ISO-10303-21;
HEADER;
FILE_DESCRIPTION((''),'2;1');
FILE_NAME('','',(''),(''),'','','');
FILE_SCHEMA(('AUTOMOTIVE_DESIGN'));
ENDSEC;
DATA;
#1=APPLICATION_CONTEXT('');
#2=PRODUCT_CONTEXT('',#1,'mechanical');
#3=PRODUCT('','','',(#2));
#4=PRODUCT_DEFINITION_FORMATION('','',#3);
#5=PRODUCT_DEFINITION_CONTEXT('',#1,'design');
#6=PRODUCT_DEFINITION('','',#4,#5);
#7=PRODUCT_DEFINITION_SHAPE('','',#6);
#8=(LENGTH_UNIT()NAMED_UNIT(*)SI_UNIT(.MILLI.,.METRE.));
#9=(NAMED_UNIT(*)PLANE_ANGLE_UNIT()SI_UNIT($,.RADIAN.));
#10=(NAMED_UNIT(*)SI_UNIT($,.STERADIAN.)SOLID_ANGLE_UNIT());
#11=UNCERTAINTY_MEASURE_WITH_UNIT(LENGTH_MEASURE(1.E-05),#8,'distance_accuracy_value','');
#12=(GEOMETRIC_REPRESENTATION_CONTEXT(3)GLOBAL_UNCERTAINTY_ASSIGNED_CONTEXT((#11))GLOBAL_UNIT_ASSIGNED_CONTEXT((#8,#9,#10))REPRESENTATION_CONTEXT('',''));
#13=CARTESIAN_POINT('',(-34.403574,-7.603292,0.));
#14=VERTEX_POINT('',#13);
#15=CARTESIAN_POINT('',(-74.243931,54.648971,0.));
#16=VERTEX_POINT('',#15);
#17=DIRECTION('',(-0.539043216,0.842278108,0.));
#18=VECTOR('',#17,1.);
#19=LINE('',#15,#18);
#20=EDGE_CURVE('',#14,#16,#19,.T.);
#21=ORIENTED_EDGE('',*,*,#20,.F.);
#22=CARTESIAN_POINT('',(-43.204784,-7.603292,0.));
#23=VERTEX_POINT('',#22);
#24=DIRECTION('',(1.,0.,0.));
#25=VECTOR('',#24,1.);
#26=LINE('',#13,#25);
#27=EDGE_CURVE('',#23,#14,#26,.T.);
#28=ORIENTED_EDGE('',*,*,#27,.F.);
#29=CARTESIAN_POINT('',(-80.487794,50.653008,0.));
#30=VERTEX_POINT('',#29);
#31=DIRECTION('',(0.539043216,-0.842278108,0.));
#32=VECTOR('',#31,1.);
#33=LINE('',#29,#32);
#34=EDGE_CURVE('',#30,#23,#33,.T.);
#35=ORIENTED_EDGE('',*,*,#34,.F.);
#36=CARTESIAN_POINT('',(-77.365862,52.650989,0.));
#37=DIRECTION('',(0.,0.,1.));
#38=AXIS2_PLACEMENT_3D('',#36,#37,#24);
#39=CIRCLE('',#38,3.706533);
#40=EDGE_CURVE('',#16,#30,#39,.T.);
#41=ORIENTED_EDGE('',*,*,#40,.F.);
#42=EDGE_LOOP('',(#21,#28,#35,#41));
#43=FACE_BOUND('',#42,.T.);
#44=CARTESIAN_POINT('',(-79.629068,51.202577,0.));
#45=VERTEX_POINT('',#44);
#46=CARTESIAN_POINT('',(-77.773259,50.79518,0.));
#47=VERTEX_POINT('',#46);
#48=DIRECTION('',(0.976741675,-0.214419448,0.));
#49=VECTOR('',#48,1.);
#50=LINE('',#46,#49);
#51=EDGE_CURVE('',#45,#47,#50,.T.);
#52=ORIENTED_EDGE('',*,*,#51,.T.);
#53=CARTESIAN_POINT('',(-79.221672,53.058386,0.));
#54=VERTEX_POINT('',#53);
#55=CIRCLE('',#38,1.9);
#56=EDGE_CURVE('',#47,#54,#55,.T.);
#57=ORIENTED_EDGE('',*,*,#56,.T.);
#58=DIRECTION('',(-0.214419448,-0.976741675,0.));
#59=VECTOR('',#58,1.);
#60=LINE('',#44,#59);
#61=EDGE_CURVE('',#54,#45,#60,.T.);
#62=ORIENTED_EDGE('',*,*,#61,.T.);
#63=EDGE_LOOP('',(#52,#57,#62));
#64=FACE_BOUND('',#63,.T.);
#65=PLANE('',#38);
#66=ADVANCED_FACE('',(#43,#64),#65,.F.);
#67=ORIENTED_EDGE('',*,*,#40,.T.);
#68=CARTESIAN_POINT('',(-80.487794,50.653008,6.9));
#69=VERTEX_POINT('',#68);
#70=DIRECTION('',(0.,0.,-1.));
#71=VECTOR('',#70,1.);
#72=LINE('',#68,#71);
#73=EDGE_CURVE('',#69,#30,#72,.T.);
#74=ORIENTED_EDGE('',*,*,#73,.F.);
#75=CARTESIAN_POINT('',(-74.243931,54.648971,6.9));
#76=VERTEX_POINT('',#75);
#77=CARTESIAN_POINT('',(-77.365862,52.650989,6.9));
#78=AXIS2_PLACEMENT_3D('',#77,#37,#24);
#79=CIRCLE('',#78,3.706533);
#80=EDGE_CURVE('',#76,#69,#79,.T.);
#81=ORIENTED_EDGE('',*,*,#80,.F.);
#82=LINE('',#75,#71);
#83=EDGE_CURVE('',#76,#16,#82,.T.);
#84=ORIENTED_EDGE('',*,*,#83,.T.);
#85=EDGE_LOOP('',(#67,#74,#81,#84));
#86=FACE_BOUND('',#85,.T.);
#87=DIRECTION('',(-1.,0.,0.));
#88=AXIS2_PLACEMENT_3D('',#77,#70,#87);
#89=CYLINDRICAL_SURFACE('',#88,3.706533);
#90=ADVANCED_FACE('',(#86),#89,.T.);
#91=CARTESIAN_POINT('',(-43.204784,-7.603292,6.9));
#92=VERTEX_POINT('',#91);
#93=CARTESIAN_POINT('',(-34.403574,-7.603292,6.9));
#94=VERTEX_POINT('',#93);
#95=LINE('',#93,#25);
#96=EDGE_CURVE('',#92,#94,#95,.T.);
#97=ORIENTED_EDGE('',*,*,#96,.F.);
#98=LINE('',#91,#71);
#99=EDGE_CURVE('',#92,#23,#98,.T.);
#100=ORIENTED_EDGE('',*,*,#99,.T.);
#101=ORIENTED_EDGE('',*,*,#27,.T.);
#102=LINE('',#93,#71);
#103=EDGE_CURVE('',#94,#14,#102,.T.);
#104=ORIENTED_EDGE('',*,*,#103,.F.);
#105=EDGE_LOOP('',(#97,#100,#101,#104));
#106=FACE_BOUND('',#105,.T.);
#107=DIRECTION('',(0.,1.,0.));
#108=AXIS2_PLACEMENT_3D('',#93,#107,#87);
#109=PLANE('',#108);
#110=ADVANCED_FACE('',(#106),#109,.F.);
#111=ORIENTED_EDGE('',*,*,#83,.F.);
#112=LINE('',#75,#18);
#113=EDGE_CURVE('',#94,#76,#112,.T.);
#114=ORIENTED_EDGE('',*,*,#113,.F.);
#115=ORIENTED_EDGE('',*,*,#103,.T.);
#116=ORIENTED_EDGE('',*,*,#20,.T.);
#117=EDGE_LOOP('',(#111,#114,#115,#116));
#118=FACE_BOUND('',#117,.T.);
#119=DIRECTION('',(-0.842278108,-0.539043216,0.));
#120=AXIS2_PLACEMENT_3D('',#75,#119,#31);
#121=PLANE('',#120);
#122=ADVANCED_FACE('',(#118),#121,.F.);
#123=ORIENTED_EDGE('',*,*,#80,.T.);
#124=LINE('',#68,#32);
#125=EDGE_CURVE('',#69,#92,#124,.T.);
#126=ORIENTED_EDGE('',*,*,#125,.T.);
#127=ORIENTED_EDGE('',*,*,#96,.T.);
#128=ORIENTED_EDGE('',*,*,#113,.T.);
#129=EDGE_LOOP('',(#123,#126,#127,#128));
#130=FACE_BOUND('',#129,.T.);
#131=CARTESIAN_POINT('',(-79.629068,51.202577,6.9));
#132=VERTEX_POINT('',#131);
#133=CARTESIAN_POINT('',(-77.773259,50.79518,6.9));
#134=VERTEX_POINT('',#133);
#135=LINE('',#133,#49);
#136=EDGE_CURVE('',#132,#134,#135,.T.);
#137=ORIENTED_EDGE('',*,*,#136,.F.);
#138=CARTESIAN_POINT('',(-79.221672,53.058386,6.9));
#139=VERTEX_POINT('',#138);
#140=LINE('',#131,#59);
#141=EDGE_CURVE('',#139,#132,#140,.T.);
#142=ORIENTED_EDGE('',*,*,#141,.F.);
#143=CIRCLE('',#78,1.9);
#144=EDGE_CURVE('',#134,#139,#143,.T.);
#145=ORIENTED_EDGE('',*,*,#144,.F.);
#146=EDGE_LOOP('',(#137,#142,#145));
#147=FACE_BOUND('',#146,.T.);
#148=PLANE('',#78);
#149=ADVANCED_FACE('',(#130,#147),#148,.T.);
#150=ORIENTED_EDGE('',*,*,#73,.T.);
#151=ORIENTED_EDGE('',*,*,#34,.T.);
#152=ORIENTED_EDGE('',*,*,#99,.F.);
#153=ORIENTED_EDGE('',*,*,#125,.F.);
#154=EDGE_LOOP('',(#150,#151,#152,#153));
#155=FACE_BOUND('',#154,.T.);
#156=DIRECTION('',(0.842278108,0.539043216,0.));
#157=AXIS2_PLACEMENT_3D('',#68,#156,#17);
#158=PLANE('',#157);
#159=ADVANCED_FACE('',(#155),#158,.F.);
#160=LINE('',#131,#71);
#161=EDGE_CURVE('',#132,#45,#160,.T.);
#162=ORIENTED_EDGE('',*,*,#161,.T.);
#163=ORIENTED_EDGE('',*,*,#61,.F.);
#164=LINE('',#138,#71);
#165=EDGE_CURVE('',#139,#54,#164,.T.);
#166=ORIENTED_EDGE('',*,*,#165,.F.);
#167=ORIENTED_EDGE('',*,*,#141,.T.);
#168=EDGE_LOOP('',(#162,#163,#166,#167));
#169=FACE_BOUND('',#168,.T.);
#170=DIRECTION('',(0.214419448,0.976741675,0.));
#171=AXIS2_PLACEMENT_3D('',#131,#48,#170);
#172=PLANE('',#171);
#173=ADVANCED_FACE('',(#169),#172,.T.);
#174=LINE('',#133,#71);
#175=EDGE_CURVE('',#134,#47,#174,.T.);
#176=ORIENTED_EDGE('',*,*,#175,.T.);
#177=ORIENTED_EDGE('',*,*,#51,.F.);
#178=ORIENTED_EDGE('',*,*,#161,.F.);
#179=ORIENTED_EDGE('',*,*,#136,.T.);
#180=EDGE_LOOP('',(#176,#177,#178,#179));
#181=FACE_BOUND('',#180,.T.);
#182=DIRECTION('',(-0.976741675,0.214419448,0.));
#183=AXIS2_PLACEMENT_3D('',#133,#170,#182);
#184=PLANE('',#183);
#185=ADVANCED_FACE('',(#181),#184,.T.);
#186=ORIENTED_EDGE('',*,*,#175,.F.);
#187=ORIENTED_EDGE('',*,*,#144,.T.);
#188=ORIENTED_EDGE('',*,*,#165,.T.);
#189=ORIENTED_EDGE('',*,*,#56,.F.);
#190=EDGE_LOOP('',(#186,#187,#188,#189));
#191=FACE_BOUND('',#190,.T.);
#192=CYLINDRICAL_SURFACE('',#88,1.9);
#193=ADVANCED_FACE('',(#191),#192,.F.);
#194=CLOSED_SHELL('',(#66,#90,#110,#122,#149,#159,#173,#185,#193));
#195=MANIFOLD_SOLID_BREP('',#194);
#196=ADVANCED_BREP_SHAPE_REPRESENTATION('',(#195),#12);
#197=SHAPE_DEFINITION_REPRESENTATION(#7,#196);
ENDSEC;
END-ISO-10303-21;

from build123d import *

# Parameters (mm, degrees)
SALIENTE_EXTRUIR1_DEPTH = 6.9


with BuildPart() as part:
    # Croquis1 → Saliente-Extruir1 (new body)
    with BuildSketch(Plane.XY):
        with BuildLine():
            Line((-74.243930555, 54.648970741), (-34.403574409, -7.603291729))
            Line((-34.403574409, -7.603291729), (-43.204784385, -7.603291729))
            Line((-43.204784385, -7.603291729), (-80.487794166, 50.653007541))
            ThreePointArc((-80.487794166, 50.653007541), (-79.363843961, 55.772920947), (-74.243930555, 54.648970741))
        make_face()
        with BuildLine():
            Line((-79.629068495, 51.202576909), (-79.221671544, 53.058386092))
            ThreePointArc((-79.221671544, 53.058386092), (-75.765533956, 53.675171252), (-77.773259312, 50.795179958))
            Line((-77.773259312, 50.795179958), (-79.629068495, 51.202576909))
        make_face(mode=Mode.SUBTRACT)
    extrude(amount=SALIENTE_EXTRUIR1_DEPTH)


solid = part.part
